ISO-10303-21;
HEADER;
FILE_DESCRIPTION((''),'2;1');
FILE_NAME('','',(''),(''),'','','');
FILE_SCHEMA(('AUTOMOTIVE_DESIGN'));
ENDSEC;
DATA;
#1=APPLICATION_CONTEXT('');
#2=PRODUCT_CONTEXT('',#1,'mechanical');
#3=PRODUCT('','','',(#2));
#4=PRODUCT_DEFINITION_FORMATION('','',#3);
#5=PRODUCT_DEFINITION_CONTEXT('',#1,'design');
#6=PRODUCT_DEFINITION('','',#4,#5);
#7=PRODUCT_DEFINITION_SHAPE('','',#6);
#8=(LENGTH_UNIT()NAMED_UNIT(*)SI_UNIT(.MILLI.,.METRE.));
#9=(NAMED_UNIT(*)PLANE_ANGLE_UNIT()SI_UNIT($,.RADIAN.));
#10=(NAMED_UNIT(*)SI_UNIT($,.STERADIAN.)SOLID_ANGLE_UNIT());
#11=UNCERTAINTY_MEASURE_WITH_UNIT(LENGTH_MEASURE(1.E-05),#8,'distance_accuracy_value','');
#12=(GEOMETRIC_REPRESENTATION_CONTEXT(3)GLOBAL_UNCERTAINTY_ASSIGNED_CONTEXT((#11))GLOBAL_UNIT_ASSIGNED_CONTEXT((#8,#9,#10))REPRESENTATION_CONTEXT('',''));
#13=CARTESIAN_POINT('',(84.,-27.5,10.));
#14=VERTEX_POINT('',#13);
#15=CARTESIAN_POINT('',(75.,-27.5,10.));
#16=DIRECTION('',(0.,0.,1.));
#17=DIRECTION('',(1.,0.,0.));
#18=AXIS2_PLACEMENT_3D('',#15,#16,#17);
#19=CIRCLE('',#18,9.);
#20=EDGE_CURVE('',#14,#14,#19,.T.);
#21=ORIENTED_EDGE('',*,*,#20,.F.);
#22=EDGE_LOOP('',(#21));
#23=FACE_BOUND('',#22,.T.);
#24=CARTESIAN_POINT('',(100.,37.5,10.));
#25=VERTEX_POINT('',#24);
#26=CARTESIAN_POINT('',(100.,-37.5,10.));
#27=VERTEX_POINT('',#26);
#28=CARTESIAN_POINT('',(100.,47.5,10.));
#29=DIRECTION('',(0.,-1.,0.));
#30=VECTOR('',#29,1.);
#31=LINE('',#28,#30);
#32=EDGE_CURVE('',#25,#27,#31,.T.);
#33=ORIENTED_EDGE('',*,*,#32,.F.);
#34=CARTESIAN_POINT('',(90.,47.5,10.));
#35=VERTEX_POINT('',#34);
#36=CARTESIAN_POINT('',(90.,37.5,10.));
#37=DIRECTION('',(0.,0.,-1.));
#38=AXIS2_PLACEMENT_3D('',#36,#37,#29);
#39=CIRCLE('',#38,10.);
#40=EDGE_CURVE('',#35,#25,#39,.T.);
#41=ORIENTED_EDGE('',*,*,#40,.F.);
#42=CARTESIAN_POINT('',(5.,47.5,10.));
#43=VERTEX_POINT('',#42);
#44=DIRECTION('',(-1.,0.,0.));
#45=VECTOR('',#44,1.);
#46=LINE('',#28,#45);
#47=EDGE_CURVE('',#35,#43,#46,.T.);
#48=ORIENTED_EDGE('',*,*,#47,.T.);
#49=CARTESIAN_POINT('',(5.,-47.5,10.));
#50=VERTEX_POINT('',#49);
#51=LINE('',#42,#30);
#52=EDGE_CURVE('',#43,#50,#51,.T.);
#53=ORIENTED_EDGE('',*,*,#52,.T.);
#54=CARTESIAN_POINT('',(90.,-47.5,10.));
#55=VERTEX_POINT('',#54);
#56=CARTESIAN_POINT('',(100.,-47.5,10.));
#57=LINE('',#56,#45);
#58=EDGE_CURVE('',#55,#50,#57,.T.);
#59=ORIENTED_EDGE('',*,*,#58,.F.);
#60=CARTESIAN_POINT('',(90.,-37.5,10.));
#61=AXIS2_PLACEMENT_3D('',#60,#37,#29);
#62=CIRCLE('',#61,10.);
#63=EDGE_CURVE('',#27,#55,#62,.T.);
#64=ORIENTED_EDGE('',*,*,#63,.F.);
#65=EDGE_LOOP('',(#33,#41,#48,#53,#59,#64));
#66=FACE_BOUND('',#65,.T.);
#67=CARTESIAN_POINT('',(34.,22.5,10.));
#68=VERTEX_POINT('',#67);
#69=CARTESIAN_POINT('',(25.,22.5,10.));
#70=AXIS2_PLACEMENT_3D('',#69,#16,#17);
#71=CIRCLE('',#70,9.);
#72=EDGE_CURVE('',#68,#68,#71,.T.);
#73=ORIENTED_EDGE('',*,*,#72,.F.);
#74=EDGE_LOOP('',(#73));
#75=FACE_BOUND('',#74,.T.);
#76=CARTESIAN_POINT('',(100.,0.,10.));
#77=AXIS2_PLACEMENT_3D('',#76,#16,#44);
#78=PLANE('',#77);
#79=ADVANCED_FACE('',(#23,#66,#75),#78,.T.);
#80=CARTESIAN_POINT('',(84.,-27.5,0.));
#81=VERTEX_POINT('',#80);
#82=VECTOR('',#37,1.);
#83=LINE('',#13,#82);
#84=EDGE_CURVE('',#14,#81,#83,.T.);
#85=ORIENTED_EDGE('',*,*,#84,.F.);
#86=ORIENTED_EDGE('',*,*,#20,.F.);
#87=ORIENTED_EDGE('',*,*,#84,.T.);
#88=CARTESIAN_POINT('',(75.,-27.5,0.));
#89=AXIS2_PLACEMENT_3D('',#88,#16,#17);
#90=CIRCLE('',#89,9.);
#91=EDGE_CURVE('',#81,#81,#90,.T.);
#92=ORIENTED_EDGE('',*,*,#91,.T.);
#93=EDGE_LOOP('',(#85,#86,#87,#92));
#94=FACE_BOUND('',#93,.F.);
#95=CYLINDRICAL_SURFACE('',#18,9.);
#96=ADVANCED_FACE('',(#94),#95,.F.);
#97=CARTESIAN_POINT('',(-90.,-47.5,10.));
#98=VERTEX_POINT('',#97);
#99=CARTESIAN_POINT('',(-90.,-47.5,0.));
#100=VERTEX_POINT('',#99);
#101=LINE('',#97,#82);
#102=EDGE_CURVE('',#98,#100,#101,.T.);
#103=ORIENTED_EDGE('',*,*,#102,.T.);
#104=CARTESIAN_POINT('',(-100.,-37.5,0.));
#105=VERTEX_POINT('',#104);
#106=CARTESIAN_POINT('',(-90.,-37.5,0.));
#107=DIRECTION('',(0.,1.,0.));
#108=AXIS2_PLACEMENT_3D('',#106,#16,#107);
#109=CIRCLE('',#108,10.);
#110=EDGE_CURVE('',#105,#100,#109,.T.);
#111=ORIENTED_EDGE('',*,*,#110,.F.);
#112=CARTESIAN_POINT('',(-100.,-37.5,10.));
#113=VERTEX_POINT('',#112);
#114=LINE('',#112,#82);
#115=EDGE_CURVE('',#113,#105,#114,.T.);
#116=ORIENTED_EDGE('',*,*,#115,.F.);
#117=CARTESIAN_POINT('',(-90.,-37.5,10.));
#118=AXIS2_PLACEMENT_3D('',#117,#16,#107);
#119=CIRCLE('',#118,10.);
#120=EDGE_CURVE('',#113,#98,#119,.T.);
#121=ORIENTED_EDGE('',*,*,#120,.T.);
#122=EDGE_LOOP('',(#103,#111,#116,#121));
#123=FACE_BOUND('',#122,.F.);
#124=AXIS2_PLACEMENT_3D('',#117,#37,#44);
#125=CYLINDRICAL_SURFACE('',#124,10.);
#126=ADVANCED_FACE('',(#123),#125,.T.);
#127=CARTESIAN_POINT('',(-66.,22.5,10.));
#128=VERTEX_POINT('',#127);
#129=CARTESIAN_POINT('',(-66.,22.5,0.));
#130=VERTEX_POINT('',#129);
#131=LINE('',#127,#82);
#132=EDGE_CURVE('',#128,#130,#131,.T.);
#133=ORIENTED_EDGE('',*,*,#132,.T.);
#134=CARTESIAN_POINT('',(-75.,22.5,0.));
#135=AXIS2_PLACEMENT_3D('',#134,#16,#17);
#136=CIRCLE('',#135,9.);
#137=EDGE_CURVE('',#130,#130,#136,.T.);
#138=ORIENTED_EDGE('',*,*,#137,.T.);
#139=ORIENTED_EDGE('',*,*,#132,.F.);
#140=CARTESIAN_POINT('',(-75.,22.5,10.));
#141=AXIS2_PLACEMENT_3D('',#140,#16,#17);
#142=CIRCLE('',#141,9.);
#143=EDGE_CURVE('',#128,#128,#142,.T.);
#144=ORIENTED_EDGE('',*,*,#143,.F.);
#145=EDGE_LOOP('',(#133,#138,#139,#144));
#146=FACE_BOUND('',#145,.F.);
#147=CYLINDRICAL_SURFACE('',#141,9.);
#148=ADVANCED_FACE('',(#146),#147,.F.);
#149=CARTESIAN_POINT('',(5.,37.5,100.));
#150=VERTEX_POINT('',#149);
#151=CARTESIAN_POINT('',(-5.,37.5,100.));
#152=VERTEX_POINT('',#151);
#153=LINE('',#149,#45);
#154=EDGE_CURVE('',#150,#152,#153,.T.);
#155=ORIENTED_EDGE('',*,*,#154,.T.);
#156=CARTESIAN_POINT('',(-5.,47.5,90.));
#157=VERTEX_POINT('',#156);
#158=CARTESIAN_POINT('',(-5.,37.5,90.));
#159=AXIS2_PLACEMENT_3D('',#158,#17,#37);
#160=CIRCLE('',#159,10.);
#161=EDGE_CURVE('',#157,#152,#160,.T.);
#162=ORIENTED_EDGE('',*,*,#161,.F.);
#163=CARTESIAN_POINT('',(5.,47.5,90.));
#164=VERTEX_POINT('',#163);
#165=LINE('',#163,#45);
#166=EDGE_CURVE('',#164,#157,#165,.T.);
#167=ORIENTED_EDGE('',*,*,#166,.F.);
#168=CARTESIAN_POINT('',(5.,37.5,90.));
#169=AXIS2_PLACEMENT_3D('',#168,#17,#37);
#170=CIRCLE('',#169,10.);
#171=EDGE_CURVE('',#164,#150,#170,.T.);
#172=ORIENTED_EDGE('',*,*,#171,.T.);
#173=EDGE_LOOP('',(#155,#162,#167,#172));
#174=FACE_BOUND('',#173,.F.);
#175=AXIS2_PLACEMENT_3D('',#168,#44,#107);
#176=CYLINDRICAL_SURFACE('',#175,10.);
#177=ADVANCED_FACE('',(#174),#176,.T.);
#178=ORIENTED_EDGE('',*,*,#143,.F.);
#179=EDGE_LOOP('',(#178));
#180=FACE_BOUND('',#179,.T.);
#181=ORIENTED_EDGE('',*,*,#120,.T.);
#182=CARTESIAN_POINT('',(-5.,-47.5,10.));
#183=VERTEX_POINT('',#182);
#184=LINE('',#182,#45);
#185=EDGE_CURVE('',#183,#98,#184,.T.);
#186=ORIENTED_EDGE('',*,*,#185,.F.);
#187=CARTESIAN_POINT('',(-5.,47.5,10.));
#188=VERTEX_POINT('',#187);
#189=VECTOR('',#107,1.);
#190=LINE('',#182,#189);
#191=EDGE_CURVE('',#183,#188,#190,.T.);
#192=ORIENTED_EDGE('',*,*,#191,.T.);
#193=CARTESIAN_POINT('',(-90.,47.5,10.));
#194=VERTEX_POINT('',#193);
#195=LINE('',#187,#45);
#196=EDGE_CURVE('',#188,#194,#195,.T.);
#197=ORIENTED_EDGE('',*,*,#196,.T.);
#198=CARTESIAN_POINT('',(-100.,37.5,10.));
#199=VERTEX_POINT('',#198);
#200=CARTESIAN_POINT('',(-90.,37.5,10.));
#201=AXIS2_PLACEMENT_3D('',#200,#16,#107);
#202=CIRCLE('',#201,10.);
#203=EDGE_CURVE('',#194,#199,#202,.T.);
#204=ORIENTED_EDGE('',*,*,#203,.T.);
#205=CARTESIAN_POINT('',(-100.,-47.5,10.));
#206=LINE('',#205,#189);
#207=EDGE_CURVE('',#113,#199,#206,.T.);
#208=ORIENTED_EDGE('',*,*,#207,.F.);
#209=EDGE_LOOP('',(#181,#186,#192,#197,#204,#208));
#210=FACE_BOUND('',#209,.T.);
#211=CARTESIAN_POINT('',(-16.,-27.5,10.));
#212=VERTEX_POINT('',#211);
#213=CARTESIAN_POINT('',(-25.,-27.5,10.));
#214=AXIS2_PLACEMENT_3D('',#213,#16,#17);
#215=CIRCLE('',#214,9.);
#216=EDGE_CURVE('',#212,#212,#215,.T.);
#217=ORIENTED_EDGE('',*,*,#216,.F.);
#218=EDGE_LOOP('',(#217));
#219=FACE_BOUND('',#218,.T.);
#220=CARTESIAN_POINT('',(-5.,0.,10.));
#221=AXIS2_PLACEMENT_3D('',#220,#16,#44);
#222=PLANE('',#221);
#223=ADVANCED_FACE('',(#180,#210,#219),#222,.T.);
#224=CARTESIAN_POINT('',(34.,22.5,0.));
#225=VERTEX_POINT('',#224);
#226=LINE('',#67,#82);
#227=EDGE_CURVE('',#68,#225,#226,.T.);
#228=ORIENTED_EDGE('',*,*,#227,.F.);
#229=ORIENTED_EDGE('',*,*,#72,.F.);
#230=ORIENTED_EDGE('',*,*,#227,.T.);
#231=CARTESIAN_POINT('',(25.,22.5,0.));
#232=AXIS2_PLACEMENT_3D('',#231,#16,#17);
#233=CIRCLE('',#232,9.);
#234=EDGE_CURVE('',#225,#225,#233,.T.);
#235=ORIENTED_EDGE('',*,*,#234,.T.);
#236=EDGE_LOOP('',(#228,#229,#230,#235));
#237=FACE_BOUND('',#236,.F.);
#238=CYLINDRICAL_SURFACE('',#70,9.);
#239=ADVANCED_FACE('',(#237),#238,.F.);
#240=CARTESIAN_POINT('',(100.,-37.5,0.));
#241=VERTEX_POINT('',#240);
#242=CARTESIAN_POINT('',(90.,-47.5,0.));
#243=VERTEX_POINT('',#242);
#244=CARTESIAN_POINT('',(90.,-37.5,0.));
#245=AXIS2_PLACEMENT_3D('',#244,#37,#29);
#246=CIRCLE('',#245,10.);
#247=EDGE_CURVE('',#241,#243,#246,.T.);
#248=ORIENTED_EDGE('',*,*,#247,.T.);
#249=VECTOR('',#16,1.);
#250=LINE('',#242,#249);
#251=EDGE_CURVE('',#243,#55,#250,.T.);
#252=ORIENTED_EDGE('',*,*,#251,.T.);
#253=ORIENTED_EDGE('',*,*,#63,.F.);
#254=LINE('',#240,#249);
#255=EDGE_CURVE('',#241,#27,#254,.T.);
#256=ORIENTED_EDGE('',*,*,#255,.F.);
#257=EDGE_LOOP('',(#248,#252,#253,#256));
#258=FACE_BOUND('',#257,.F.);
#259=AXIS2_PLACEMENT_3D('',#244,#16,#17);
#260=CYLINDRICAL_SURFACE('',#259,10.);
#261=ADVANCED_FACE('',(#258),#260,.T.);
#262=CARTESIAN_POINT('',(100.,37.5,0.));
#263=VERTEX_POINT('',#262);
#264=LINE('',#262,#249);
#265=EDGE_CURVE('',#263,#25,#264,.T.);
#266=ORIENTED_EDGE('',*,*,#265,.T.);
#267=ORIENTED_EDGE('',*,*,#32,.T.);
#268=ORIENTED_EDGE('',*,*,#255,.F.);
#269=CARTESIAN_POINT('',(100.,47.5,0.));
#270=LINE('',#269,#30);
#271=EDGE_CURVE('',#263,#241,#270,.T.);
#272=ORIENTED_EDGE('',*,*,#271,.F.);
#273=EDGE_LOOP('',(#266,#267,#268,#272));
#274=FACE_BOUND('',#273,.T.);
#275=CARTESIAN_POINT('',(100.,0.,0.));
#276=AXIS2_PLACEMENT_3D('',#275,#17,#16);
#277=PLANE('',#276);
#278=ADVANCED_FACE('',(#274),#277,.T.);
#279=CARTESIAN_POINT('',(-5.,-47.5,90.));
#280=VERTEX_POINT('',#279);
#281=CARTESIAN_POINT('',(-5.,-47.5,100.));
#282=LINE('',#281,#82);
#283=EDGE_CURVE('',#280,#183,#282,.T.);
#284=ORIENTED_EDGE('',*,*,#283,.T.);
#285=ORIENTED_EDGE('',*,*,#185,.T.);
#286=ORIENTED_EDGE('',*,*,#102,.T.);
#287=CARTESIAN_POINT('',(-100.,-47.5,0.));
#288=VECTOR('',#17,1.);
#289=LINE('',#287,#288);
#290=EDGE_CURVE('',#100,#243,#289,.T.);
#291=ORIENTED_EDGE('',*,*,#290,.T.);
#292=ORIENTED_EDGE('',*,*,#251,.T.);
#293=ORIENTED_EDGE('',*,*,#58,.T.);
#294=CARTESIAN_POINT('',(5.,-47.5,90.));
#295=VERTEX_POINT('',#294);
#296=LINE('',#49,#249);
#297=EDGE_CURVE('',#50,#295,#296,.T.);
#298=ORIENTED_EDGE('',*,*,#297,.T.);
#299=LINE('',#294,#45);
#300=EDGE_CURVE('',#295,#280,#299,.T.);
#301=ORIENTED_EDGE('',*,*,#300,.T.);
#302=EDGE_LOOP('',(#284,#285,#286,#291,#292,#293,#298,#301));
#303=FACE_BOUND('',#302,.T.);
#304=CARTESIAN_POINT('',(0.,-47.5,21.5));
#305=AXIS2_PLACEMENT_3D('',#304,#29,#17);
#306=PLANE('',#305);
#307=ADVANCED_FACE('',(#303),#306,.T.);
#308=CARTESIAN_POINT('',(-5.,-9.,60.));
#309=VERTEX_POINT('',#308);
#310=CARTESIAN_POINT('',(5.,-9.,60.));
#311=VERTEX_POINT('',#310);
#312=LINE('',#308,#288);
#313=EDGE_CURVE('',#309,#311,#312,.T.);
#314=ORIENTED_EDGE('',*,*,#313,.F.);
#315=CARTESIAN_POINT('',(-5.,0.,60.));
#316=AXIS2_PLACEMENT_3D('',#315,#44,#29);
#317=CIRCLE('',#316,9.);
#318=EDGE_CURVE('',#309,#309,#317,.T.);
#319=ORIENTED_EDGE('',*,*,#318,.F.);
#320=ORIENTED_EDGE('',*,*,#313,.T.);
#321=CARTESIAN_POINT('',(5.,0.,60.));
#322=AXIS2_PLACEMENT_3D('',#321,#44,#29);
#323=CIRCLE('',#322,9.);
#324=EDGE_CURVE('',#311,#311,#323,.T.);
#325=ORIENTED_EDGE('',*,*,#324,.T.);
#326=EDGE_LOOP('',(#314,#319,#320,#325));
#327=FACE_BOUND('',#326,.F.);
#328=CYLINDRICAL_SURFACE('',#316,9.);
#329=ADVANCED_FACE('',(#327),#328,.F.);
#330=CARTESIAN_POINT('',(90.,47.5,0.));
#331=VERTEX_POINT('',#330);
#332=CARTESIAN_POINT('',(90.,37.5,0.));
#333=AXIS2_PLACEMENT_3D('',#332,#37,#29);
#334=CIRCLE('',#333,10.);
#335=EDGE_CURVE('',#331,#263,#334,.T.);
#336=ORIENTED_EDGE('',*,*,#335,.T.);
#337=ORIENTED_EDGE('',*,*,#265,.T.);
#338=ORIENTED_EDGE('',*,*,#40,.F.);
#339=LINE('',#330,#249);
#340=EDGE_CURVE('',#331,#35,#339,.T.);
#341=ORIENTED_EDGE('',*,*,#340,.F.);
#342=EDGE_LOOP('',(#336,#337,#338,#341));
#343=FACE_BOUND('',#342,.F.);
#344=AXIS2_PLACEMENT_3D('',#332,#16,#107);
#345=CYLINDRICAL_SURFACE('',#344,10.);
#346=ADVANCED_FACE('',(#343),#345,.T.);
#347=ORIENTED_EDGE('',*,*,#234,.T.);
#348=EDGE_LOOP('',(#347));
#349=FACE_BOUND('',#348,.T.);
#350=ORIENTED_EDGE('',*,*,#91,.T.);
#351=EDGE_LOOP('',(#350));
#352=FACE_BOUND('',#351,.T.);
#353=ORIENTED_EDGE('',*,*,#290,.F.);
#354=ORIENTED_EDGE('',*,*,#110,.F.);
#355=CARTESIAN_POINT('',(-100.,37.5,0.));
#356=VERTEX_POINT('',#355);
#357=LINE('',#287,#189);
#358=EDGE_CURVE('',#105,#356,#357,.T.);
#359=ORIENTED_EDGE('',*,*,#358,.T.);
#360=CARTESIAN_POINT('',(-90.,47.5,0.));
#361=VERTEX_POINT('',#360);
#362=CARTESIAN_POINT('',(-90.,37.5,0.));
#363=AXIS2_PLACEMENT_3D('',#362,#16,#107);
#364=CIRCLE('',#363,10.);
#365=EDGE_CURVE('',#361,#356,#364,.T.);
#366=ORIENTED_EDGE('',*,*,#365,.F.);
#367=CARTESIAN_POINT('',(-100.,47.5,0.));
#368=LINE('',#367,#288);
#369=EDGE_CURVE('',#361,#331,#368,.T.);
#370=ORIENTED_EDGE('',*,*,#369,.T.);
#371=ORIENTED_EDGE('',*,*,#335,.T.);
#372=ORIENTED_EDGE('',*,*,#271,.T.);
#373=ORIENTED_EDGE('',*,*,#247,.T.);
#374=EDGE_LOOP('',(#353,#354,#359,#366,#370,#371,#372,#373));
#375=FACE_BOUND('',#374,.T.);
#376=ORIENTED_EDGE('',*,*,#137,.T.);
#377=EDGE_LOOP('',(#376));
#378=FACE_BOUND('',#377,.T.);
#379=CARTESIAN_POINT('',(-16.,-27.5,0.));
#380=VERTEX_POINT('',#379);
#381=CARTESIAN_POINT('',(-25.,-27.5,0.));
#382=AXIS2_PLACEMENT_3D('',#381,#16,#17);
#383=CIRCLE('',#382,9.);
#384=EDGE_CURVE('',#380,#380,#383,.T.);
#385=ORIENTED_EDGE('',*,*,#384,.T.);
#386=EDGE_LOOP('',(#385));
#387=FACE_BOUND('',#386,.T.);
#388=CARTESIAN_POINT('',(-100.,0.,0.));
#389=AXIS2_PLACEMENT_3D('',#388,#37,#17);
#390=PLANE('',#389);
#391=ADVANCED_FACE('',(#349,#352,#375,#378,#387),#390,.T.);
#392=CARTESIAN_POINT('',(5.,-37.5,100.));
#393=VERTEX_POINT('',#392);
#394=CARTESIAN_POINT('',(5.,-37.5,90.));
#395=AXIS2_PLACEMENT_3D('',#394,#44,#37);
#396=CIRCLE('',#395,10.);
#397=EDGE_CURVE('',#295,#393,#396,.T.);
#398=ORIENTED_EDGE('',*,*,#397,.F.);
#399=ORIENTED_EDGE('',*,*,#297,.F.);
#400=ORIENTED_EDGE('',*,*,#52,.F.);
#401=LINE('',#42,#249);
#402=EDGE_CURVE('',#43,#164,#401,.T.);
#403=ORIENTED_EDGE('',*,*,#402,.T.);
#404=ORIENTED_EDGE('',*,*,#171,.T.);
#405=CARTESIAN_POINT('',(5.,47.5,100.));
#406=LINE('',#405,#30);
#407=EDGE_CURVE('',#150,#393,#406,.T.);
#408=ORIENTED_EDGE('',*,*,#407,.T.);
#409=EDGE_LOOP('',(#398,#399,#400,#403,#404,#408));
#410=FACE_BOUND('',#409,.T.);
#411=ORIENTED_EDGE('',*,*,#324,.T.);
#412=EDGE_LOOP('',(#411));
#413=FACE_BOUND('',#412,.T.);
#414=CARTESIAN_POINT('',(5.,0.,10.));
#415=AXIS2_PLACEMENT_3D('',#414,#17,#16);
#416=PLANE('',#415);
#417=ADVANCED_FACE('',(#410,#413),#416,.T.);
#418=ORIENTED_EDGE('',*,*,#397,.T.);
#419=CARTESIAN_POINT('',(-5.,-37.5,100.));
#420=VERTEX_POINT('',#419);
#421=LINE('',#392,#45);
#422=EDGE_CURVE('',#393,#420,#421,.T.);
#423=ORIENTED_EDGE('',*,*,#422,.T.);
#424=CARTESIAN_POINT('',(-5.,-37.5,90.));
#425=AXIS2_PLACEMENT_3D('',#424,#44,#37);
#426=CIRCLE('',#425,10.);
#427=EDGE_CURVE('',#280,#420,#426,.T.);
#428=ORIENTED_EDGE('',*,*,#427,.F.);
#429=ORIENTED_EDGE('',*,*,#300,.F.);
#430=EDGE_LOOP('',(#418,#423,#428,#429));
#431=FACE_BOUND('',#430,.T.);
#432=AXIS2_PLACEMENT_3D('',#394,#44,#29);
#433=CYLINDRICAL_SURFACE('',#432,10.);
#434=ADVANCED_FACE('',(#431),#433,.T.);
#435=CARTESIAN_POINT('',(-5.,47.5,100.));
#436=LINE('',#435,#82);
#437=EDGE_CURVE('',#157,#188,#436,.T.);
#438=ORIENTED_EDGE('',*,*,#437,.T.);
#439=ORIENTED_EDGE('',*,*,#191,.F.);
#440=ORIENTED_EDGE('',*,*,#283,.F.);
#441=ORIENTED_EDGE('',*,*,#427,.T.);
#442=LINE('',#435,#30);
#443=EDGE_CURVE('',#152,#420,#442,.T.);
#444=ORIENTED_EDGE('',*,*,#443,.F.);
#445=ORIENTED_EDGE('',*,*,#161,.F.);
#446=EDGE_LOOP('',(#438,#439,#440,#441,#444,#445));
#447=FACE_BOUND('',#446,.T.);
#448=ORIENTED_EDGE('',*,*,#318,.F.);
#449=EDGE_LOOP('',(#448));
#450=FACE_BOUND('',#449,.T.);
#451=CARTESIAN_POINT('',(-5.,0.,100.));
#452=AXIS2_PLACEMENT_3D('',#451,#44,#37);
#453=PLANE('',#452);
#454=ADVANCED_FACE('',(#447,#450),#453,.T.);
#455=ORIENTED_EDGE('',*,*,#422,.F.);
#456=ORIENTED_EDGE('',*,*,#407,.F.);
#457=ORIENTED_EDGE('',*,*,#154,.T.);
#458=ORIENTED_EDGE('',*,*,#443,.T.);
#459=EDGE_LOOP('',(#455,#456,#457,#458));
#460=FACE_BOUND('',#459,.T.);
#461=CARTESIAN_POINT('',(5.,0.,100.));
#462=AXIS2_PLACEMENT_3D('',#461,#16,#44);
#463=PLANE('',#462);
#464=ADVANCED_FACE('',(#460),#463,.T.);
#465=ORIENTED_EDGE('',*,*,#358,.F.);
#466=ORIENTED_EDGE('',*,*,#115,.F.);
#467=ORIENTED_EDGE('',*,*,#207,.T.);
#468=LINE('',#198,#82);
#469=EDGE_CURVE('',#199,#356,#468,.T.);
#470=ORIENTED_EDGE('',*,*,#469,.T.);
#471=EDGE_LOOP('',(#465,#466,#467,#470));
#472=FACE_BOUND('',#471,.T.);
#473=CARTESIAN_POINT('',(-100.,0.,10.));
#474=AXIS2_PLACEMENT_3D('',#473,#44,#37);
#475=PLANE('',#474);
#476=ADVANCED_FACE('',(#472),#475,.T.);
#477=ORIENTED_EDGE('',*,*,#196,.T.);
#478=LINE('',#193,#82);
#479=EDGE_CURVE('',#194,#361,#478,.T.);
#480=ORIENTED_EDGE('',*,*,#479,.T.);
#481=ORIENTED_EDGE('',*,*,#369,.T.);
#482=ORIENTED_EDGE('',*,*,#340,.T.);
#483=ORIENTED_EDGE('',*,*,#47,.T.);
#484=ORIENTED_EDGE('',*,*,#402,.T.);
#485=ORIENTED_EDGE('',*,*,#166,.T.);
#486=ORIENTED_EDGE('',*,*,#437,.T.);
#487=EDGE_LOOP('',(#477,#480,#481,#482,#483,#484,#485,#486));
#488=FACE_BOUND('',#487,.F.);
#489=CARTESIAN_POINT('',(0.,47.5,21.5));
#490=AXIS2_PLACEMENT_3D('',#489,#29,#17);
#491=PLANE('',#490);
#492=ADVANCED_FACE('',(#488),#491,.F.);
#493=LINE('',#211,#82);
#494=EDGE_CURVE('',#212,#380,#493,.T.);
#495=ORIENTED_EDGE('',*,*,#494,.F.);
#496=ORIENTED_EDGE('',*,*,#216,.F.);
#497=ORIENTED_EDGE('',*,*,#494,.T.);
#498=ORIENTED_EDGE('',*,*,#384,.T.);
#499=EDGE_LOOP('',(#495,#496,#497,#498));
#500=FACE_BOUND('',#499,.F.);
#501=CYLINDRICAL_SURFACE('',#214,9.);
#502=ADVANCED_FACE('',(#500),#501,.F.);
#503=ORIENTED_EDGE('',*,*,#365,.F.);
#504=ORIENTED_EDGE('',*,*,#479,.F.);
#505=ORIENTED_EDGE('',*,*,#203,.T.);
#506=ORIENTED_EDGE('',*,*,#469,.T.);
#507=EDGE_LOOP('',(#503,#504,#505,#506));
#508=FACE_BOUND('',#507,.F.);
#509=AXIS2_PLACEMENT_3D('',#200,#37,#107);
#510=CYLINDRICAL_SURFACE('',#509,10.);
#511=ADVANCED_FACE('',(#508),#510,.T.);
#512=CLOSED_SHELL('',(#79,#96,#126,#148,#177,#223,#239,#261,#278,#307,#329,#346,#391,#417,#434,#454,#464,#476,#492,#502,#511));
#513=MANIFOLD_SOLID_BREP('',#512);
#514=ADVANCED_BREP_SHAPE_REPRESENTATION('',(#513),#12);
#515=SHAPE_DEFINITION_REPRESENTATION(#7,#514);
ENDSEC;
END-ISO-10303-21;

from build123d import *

# Parameters (mm, degrees)
F1_DEPTH = 47.5
F2_R     = 9
F3_DEPTH = 25
F4_R     = 9
F5_DEPTH = 25
F6_R     = 10


with BuildPart() as f1:
    # F0 (on Front) → F1 (new body, symmetric)
    with BuildSketch(Plane.XZ):
        Polygon((-100, 0), (0, 0), (100, 0), (100, 10), (5, 10), (5, 100), (0, 100), (-5, 100), (-5, 10), (-100, 10), align=None)
    extrude(amount=F1_DEPTH, both=True)

    # F2 (on face) → F3 (cut)
    with BuildSketch(Plane.XY.offset(10)):
        with Locations((75, -27.5)):
            Circle(F2_R)
        with Locations((25, 22.5)):
            Circle(F2_R)
        with Locations((-25, -27.5)):
            Circle(F2_R)
        with Locations((-75, 22.5)):
            Circle(F2_R)
    extrude(amount=-F3_DEPTH, mode=Mode.SUBTRACT)

    # F4 (on face) → F5 (cut)
    with BuildSketch(Plane(origin=(-5, 0, 0), x_dir=(0, -1, 0), z_dir=(-1, 0, 0))):
        with Locations((0, 60)):
            Circle(F4_R)
    extrude(amount=-F5_DEPTH, mode=Mode.SUBTRACT)

    # F6
    f6_edges = [f1.edges().sort_by_distance(p)[0] for p in [
        (100, -47.5, 5),
        (100, 47.5, 5),
        (0, 47.5, 100),
        (0, -47.5, 100),
        (-100, -47.5, 5),
        (-100, 47.5, 5),
    ]]
    fillet(f6_edges, radius=F6_R)


solid = f1.part
